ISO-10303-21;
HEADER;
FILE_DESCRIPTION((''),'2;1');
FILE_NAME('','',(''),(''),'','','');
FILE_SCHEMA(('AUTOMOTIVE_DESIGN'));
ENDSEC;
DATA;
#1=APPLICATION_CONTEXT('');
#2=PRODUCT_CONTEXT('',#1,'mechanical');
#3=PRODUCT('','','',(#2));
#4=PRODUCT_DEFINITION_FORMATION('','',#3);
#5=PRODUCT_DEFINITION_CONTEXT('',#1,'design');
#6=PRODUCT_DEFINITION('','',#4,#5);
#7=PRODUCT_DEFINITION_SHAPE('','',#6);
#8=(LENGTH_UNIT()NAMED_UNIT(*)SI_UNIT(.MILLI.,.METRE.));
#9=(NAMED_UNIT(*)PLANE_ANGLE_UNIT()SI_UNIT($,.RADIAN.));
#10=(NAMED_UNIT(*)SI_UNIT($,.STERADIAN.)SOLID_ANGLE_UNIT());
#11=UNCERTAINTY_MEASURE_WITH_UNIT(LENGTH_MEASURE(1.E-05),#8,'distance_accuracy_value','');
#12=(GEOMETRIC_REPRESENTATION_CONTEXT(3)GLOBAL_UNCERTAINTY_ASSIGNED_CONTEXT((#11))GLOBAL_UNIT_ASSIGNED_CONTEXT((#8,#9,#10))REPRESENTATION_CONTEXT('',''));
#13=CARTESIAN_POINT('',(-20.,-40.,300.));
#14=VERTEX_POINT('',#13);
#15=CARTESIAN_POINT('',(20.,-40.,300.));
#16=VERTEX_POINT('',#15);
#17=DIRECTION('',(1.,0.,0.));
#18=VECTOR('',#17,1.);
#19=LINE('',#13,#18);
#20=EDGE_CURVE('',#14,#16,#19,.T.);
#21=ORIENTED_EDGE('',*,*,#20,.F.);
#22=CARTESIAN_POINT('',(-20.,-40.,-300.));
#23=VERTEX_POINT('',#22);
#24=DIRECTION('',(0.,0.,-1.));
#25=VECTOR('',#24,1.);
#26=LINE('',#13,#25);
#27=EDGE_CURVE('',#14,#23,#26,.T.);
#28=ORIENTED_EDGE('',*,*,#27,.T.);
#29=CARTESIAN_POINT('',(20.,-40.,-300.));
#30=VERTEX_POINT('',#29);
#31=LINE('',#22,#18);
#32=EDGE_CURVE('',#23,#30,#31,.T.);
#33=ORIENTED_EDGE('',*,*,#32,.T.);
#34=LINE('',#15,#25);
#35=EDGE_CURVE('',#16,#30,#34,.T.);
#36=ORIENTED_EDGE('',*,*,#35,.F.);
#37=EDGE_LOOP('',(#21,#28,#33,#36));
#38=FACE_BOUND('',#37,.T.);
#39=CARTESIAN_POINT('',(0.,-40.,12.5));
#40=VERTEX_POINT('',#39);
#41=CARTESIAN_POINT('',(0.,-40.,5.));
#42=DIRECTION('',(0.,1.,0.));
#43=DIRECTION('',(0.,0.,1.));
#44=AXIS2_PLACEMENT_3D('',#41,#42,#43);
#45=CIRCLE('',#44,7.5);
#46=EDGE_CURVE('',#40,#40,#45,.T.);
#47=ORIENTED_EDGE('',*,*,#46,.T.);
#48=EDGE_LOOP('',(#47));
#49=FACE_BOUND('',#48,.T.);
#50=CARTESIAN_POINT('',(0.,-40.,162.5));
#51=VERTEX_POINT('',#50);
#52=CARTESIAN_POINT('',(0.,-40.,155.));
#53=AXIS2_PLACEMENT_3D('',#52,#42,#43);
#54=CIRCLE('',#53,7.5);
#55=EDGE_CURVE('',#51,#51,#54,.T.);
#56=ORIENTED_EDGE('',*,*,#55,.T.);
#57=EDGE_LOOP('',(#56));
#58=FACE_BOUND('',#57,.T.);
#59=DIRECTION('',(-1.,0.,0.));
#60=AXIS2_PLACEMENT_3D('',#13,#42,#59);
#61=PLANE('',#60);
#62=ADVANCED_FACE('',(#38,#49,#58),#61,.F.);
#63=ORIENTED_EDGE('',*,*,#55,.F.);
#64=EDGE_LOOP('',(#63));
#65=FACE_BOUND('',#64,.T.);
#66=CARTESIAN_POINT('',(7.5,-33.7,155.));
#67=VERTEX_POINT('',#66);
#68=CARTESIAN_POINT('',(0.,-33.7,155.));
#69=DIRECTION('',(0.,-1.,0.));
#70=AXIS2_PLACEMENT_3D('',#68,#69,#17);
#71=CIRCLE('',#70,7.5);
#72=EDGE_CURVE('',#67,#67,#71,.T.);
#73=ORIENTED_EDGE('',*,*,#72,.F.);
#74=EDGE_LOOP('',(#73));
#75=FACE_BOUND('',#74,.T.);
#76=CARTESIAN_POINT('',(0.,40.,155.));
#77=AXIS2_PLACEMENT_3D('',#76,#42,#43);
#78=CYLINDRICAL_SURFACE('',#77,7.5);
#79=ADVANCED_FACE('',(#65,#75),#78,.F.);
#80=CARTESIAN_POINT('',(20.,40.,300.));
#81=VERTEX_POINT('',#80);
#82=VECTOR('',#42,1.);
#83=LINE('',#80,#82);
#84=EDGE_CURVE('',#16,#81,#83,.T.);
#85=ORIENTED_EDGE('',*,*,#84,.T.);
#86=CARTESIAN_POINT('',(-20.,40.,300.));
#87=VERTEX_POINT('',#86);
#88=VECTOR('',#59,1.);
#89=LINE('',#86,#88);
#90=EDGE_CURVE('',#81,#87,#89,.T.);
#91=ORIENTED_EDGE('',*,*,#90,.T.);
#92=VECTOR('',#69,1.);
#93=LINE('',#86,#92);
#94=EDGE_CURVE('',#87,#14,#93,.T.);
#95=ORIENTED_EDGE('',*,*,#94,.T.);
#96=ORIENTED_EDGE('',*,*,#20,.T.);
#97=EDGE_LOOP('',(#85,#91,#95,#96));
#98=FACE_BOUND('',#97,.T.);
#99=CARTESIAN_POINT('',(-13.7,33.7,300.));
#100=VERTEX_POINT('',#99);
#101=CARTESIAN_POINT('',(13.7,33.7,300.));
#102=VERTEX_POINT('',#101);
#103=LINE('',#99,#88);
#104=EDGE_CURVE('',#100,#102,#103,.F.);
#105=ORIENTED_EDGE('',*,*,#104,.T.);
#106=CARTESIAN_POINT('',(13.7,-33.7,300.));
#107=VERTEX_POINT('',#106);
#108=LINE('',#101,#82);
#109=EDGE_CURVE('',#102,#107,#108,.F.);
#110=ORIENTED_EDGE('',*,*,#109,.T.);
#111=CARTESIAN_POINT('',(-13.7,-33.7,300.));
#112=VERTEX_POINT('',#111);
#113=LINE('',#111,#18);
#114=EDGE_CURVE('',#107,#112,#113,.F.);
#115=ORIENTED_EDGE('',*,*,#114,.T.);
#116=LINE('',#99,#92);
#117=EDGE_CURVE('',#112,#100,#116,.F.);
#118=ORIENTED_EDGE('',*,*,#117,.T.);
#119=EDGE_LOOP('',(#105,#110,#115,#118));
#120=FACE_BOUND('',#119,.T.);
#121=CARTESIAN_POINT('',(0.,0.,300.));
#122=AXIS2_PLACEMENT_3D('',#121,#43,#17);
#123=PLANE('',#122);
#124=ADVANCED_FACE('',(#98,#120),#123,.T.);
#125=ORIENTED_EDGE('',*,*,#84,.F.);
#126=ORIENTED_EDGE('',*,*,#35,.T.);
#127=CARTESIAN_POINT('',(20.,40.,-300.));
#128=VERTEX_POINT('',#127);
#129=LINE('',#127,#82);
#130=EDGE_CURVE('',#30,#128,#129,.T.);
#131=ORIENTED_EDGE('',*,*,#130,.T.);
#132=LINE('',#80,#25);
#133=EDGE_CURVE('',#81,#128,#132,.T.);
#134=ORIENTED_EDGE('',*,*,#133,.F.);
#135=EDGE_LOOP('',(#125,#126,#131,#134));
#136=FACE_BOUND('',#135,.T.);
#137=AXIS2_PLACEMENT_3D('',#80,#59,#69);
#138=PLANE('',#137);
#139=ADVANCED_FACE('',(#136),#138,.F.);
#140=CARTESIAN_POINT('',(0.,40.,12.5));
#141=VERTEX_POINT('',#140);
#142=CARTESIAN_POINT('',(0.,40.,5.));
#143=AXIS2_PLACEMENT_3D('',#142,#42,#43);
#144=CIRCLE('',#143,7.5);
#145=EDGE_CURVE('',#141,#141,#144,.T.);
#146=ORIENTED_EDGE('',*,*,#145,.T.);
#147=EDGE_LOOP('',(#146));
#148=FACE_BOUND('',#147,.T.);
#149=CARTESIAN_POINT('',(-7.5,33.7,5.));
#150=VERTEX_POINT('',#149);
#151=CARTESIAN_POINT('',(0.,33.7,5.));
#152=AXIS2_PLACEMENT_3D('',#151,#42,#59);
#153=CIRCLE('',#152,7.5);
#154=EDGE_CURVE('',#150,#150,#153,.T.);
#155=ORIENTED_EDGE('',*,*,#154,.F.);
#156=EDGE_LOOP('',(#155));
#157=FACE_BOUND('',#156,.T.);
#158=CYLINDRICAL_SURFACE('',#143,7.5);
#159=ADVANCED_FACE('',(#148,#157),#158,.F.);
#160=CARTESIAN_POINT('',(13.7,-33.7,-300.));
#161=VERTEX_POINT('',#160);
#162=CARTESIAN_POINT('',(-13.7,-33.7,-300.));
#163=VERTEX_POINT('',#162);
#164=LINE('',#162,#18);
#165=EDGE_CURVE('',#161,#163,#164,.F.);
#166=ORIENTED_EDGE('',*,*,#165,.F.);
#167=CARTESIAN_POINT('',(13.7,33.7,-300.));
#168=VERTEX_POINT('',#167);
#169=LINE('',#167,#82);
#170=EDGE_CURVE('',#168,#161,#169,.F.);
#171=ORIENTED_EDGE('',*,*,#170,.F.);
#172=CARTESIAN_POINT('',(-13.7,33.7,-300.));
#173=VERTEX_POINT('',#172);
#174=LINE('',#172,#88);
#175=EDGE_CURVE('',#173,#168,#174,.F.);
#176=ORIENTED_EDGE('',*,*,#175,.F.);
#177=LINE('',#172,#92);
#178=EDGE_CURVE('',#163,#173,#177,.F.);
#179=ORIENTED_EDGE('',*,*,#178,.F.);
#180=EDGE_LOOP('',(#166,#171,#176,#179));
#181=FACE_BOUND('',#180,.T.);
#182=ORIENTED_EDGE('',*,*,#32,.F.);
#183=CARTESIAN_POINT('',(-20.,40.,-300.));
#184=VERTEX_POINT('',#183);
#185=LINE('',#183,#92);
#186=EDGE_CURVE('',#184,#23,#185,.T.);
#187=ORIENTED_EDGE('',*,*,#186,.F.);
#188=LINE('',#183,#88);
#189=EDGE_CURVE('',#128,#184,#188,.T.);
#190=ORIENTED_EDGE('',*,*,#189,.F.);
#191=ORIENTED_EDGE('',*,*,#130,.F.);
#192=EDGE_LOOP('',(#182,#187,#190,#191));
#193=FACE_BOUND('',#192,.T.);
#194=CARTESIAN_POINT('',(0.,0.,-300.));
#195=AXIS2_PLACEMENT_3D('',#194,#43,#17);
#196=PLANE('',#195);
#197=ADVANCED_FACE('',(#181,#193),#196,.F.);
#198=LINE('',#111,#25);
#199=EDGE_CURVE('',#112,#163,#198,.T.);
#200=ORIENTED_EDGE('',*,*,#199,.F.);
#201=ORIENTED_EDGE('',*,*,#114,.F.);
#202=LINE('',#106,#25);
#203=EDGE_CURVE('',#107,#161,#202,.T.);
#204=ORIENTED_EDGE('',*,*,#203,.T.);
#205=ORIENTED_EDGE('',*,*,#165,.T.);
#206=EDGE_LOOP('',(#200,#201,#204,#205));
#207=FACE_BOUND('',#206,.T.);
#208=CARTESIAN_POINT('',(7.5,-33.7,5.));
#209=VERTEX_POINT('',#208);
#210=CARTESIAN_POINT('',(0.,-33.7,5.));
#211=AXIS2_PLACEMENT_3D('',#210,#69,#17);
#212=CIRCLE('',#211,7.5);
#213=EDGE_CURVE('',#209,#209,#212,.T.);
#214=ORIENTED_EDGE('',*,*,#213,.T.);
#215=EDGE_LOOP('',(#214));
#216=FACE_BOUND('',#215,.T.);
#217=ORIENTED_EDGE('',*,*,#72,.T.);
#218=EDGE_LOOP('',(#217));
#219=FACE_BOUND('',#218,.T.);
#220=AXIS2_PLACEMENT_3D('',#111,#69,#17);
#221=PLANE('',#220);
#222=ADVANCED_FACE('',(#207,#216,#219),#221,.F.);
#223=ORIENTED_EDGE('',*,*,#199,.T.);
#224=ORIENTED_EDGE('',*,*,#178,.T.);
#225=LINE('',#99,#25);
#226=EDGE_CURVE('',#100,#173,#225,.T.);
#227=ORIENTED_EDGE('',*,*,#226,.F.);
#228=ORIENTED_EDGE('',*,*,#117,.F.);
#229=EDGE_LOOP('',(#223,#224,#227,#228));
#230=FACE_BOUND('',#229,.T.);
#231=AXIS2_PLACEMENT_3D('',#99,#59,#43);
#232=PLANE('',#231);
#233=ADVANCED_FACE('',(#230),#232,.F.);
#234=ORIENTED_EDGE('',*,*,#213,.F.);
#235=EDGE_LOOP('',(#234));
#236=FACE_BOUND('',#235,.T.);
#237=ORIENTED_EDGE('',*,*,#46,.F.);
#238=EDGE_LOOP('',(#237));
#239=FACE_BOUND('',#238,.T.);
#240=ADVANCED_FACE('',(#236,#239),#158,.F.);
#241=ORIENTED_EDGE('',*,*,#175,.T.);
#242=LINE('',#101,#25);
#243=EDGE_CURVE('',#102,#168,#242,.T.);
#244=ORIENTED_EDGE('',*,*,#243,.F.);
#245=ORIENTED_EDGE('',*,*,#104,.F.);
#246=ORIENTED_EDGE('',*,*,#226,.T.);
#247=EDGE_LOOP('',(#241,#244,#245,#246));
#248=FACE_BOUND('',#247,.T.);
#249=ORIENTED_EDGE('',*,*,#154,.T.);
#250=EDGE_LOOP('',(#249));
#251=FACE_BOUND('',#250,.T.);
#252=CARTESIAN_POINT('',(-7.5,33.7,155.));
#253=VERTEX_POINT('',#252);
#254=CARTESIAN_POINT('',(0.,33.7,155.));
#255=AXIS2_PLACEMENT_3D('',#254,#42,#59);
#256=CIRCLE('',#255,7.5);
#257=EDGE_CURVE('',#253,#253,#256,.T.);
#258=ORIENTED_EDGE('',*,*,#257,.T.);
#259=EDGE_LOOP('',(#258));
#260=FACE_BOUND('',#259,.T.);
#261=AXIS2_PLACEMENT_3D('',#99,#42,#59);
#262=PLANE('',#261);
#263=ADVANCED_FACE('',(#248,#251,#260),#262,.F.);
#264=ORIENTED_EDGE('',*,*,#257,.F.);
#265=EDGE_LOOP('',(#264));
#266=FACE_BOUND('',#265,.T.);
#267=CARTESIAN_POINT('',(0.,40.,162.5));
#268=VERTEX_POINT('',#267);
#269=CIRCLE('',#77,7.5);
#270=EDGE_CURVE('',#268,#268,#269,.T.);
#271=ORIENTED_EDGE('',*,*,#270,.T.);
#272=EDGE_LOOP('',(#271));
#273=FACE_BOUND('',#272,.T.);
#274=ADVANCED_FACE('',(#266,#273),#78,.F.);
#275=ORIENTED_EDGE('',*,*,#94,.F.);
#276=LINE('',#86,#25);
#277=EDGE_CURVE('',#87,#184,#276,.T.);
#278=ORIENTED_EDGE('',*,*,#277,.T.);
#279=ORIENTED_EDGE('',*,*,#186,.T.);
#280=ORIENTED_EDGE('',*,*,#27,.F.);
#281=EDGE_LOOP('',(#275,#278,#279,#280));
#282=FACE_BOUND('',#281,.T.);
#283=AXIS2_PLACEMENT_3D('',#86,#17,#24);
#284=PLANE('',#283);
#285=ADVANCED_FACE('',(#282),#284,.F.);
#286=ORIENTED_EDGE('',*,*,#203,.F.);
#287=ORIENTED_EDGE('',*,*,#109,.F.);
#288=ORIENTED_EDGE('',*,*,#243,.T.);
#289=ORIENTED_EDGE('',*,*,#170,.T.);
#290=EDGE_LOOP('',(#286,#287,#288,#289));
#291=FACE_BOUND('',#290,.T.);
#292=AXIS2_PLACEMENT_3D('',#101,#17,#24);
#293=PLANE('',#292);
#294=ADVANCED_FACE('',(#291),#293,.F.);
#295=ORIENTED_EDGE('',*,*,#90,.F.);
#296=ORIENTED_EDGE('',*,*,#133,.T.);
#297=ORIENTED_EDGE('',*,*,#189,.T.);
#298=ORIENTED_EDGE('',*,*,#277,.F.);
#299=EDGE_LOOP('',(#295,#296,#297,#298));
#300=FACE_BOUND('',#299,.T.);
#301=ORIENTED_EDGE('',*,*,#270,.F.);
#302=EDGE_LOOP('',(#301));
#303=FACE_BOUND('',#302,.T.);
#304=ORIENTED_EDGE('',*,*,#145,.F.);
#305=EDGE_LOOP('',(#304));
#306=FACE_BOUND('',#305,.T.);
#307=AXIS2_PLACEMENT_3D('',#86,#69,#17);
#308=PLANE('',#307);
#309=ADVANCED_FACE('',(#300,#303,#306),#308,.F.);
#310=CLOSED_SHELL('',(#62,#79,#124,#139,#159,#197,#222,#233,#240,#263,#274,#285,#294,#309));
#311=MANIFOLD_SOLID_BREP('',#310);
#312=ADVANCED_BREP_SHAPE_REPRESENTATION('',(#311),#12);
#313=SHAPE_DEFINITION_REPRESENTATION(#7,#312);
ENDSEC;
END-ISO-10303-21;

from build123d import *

# Parameters (mm, degrees)
SKETCH1_W             = 40
SKETCH1_H             = 80
SKETCH1_W_2           = 27.4
SKETCH1_H_2           = 67.4
M12_CLEARANCE_HOLE1_D = 15


with BuildPart() as part:
    # Sweep1: sweep along a curve in space
    with BuildLine() as sweep1_path:
        add(Edge.make_bspline(
            [(0, 0, -300), (0, 0, 300)],
            knots=[0, 0, 1, 1], degree=1))
    # Sketch1 → Sweep1 (sweep)
    with BuildSketch(Plane.XY):
        Rectangle(SKETCH1_W, SKETCH1_H)
        Rectangle(SKETCH1_W_2, SKETCH1_H_2, mode=Mode.SUBTRACT)
    sweep(path=sweep1_path.line)

    # M12 Clearance Hole1 (through all)
    with Locations(Plane(origin=(0, 40, 0), x_dir=(1, 0, 0), z_dir=(0, 1, 0))):
        with Locations((0, -155), (0, -5)):
            Hole(M12_CLEARANCE_HOLE1_D / 2)


solid = part.part
